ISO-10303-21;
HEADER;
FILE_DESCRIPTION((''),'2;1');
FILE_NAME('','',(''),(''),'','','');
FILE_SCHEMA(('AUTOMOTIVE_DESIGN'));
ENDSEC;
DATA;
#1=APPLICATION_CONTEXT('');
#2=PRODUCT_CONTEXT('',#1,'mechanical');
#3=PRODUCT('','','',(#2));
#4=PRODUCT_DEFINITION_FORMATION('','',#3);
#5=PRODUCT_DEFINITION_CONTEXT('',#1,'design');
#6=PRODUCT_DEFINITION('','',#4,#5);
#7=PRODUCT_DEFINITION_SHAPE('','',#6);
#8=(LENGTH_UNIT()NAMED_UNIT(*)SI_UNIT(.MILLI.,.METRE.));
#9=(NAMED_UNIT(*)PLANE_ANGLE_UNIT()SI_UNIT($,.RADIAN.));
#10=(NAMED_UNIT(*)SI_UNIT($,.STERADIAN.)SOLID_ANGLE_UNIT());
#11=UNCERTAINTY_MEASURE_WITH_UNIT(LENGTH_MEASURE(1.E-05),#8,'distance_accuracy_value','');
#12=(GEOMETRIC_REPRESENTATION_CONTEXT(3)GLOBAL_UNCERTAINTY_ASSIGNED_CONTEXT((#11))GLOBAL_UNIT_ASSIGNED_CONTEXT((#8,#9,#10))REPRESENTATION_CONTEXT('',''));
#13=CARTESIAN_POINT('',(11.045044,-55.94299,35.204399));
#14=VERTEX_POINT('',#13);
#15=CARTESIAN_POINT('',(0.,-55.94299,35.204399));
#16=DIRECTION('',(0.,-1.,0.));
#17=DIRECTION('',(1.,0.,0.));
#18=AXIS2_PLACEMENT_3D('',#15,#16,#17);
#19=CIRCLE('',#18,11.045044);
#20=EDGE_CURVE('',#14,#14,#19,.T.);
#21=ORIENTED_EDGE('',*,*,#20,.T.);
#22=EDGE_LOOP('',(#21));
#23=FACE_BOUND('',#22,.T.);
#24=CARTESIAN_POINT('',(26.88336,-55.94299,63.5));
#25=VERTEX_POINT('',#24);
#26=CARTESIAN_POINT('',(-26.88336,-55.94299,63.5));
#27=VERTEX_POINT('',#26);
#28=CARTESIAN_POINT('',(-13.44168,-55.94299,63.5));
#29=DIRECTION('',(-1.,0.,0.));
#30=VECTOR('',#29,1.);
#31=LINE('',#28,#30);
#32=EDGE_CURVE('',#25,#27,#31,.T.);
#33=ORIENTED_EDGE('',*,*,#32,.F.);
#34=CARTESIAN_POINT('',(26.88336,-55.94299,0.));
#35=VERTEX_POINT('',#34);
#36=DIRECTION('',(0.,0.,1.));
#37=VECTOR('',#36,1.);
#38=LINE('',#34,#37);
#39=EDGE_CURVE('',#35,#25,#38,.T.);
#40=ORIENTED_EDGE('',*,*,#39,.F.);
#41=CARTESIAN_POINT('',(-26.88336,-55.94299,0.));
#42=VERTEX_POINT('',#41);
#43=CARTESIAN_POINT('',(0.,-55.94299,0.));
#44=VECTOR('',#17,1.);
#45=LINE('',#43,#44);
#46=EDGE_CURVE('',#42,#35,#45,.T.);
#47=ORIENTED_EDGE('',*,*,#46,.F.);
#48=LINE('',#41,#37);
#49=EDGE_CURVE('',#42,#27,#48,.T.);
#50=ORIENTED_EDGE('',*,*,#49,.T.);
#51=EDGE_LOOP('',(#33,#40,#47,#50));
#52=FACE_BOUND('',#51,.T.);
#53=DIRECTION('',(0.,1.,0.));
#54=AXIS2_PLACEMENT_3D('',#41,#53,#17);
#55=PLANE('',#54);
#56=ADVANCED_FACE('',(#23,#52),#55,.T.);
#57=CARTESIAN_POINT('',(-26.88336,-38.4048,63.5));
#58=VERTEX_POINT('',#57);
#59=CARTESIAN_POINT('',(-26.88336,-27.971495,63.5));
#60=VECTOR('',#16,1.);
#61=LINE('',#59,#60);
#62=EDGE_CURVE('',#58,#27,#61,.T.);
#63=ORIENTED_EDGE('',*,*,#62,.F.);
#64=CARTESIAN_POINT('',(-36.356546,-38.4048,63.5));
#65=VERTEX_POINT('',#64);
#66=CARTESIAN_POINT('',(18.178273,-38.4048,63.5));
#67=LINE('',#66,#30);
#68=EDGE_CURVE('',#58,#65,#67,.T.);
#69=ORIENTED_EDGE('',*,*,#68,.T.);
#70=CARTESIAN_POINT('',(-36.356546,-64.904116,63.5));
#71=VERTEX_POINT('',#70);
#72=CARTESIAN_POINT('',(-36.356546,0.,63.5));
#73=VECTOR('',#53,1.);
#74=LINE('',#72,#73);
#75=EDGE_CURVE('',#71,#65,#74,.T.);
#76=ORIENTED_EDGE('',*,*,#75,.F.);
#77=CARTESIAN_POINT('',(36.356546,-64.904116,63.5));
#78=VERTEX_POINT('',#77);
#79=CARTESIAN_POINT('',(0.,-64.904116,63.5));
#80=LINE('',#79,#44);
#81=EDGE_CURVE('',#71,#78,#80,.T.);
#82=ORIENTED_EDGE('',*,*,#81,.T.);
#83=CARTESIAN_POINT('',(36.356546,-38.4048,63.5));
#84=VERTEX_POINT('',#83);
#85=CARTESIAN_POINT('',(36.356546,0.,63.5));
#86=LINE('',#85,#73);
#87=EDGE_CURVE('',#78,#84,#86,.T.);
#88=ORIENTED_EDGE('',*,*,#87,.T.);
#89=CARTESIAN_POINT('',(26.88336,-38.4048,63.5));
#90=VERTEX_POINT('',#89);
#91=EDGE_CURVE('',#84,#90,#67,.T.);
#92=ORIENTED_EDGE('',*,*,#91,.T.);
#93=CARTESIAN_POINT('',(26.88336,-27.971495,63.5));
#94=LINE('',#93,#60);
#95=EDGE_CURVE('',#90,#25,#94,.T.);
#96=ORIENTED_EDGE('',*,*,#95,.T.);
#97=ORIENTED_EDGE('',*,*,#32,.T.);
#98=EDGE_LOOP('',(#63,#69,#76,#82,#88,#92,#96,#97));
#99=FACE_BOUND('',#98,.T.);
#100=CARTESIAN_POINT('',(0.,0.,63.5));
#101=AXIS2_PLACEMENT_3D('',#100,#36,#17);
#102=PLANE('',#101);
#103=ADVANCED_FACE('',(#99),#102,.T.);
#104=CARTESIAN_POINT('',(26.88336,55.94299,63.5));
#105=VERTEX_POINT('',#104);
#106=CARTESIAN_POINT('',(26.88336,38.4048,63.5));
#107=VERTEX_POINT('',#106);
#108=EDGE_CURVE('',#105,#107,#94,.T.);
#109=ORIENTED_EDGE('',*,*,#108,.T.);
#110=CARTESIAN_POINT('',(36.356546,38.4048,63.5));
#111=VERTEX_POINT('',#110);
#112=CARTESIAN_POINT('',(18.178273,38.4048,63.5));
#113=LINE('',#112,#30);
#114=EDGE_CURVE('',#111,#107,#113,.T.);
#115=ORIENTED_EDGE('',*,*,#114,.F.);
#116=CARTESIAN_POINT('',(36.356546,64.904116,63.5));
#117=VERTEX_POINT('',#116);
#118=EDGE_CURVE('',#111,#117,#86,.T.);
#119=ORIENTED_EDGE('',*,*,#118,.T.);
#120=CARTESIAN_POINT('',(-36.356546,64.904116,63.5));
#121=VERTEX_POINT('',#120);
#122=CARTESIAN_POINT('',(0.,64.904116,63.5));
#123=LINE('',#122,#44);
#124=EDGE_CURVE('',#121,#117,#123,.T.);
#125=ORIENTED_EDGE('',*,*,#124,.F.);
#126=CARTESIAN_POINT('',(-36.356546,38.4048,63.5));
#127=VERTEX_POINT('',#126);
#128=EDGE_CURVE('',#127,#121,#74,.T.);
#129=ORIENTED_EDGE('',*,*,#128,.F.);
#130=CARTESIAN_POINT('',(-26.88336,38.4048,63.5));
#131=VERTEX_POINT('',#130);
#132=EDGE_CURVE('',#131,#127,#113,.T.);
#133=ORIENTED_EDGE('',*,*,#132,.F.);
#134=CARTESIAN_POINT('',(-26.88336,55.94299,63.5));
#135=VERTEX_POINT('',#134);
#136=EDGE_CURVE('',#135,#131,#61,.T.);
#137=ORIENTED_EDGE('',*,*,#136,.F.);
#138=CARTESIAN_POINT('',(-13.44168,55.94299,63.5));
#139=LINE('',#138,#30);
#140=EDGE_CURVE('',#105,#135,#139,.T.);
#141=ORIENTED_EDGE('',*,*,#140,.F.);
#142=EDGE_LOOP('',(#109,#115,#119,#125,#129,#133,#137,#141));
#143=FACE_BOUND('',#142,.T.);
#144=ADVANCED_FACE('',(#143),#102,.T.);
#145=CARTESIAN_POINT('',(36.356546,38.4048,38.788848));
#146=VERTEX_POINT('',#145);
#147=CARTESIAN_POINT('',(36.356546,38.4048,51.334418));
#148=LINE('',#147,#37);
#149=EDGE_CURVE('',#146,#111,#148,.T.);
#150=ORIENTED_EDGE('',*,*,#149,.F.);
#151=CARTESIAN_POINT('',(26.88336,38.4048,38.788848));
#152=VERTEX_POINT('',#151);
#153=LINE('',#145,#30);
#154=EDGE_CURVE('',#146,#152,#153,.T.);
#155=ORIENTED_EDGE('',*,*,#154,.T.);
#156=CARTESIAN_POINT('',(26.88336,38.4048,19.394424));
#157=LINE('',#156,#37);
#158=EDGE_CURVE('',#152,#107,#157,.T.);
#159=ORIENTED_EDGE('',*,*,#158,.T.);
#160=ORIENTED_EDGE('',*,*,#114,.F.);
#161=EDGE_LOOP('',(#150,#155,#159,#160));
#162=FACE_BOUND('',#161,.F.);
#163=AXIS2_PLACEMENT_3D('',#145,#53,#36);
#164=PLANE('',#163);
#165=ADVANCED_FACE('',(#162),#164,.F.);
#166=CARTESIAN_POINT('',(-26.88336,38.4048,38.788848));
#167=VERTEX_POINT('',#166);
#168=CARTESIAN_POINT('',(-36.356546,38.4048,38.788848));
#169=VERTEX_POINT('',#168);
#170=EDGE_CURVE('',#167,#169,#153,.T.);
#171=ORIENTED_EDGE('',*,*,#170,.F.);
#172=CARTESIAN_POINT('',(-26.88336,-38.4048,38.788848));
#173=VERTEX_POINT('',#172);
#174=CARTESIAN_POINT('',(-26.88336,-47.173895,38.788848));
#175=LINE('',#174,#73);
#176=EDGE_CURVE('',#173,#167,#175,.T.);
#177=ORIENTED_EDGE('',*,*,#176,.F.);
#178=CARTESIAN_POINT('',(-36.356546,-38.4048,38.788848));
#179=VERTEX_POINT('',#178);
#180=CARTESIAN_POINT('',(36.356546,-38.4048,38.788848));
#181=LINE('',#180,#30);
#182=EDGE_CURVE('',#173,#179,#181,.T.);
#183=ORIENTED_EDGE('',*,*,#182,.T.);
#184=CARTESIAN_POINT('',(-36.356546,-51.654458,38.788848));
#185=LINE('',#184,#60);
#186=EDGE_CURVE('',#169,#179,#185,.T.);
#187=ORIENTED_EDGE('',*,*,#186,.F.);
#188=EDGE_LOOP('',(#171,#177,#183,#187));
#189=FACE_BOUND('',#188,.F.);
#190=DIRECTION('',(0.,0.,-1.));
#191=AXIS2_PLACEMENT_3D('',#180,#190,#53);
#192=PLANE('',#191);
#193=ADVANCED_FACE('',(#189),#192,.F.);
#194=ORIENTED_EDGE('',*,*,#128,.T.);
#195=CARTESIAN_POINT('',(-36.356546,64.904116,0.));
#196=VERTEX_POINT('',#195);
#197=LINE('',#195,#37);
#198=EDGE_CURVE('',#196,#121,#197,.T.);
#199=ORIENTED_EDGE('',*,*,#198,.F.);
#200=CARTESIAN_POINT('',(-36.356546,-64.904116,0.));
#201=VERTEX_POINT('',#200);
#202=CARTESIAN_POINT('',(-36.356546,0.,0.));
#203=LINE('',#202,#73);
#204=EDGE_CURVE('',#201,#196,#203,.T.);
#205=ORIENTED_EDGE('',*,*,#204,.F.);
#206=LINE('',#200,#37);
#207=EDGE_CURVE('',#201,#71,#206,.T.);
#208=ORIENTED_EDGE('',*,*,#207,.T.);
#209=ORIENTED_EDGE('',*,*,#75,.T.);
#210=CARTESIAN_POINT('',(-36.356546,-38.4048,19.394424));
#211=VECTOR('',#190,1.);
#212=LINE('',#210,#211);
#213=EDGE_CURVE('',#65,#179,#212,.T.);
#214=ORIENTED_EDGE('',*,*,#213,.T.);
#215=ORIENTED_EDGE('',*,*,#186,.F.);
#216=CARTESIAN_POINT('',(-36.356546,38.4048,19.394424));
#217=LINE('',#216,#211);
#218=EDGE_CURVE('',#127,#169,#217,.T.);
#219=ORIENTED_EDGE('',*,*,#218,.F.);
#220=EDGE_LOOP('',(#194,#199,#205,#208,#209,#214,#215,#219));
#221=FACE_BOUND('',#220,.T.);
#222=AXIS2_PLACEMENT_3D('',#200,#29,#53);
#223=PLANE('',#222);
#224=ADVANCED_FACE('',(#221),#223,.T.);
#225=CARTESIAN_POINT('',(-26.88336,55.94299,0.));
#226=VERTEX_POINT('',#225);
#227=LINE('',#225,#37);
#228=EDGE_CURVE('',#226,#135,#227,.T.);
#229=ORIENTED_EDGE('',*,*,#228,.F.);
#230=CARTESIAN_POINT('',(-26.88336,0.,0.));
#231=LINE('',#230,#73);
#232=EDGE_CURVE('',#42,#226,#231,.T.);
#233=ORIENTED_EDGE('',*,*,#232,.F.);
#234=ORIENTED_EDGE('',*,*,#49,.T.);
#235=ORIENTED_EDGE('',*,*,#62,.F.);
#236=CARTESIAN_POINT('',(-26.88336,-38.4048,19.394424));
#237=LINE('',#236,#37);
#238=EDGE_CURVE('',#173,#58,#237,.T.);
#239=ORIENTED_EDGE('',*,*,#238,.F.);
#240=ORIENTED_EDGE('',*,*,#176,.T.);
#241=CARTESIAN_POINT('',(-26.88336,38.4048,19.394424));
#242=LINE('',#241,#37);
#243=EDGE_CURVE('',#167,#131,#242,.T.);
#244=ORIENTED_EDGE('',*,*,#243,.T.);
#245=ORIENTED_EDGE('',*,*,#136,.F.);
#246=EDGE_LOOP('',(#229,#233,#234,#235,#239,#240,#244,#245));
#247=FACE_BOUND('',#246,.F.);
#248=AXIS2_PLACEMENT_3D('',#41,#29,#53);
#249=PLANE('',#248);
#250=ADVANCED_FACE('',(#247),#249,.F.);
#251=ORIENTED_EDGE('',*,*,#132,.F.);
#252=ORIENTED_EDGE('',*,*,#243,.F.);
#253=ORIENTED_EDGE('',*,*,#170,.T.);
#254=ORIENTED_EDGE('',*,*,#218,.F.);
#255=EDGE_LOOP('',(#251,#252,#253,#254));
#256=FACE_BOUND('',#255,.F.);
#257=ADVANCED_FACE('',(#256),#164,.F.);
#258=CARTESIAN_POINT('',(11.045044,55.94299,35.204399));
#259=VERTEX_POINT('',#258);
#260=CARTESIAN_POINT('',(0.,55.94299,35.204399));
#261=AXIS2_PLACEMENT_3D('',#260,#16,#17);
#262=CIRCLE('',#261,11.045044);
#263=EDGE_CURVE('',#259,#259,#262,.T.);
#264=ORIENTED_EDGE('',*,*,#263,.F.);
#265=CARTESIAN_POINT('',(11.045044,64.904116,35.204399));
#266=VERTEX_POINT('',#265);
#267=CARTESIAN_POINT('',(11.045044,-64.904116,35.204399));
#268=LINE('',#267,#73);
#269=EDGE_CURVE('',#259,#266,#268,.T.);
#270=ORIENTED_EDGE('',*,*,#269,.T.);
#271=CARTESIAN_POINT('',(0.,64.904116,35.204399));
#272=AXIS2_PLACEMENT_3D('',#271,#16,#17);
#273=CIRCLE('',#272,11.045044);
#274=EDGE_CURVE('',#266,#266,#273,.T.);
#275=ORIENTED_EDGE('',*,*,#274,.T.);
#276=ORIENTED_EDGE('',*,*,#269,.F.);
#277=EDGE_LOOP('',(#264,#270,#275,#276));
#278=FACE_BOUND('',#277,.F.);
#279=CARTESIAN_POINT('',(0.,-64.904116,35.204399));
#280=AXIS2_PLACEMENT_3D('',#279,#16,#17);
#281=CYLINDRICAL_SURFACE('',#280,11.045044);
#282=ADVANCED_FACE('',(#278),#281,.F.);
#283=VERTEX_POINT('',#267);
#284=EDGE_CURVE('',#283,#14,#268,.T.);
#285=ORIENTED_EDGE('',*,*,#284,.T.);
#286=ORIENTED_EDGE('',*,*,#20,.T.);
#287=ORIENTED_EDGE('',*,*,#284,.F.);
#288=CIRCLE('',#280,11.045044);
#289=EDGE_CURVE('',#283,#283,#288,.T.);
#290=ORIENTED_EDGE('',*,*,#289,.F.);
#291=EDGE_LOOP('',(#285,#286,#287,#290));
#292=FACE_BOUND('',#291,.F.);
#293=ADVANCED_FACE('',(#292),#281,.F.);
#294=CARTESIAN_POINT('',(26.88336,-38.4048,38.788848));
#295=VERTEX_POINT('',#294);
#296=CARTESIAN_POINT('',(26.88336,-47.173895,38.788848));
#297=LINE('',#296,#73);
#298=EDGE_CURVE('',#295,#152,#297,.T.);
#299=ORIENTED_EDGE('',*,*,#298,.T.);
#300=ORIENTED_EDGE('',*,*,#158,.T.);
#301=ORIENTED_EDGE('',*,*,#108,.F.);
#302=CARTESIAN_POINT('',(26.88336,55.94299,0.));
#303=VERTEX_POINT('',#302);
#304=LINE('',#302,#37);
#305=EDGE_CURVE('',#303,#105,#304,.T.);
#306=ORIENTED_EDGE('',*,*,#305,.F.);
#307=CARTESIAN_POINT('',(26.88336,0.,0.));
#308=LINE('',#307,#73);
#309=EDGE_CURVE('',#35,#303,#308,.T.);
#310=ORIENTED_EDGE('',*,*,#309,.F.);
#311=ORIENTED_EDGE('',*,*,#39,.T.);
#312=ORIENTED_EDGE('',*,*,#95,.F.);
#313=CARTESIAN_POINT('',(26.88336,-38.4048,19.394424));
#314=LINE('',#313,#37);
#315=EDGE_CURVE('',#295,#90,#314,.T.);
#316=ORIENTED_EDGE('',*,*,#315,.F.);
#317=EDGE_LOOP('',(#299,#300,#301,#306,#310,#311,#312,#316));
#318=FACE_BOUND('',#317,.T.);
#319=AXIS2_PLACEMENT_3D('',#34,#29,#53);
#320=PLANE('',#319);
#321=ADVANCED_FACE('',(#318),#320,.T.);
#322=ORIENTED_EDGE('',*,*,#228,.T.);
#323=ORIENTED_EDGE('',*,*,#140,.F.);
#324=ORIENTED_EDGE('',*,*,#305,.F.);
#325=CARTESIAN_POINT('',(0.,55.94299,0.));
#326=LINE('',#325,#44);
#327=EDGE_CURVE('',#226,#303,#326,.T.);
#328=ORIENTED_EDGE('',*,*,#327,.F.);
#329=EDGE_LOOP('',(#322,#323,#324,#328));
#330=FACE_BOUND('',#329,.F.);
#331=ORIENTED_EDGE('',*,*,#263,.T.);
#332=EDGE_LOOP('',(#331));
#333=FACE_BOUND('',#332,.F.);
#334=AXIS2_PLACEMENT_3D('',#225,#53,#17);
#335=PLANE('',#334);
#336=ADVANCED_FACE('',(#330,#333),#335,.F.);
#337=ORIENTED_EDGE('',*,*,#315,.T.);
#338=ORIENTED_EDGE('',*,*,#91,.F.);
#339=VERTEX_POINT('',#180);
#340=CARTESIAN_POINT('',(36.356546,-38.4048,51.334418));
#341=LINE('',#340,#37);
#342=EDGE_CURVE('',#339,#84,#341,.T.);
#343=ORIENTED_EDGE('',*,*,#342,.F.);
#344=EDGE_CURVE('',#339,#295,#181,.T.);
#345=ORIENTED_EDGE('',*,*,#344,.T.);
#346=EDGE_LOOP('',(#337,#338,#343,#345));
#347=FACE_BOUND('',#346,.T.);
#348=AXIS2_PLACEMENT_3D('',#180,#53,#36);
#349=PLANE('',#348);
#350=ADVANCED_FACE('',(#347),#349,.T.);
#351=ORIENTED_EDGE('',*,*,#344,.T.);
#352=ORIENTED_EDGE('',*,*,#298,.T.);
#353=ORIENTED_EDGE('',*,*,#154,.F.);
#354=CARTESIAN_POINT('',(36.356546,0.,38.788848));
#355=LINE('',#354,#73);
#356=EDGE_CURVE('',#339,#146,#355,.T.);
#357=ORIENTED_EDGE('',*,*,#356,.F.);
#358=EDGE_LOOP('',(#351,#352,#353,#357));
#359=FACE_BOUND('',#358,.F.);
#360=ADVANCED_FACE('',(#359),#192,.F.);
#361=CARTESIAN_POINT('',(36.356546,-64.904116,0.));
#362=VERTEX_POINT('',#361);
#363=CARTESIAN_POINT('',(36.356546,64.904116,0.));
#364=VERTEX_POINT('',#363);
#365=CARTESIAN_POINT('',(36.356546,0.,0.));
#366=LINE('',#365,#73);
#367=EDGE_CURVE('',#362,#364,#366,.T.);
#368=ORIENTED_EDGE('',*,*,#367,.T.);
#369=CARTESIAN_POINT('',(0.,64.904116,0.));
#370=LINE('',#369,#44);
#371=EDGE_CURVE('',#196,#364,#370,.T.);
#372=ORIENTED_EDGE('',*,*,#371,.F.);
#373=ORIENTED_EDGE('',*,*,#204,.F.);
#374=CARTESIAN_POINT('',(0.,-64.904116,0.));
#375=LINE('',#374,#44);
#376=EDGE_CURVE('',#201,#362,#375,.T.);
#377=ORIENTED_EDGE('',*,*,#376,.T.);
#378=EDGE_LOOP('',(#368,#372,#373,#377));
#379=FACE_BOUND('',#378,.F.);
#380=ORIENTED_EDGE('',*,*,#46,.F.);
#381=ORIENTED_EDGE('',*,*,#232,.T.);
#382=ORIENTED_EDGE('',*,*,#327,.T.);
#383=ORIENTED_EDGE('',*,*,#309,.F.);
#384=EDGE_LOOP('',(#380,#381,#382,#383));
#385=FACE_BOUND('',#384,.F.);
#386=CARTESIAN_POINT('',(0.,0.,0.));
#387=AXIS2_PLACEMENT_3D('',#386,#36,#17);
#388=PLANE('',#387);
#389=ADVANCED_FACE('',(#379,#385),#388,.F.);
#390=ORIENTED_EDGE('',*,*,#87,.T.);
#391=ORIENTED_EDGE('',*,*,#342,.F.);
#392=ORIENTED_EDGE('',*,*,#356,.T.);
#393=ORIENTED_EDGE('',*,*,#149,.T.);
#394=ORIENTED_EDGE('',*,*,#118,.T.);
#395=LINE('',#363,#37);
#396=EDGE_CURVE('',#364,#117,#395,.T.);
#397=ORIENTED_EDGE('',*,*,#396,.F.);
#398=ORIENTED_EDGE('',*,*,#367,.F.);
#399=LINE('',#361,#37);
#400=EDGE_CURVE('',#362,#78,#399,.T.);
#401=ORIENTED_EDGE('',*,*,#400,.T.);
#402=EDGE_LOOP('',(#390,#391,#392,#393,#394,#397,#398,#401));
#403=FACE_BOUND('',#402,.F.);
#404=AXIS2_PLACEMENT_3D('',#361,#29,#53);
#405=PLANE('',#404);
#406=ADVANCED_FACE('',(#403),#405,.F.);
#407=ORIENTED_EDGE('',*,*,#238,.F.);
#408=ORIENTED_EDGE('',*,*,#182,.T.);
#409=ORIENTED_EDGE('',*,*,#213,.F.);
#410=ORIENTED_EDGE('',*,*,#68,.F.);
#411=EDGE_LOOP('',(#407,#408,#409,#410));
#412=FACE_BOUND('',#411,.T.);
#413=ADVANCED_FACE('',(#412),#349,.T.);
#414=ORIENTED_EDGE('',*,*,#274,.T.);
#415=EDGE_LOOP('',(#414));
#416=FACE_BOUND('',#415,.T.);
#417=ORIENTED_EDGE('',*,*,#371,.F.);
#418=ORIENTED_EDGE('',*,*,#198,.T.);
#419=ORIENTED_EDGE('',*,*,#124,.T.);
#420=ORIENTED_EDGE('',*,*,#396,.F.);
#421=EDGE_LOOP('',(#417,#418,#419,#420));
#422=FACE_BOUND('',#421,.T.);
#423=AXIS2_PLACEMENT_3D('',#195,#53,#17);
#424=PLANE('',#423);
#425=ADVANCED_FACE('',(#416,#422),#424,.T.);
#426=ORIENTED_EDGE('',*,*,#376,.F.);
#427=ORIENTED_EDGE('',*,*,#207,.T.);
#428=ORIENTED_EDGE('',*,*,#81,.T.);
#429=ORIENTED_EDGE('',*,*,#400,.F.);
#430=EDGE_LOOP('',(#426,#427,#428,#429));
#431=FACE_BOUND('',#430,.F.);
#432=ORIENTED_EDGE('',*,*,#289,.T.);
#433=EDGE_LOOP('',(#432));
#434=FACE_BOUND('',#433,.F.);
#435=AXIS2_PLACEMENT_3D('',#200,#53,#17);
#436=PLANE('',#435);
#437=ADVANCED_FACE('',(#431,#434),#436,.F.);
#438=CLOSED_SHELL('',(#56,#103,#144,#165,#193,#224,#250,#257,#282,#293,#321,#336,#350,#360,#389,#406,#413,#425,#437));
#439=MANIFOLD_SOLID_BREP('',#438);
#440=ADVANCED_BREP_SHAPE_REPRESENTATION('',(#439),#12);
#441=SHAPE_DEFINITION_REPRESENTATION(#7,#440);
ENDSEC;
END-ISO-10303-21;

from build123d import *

# Parameters (mm, degrees)
F0_W     = 72.713092
F0_H     = 129.808232
F1_DEPTH = 63.5
F2_R     = 11.045044
F3_DEPTH = 129.809232
F4_W     = 76.8096
F4_H     = 25.091141
F5_DEPTH = 72.714092
F6_W     = 53.76672
F6_H     = 111.88598
F7_DEPTH = 63.501


with BuildPart() as f1:
    # F0 (on Top) → F1 (new body)
    with BuildSketch(Plane.XY):
        Rectangle(F0_W, F0_H)
    extrude(amount=F1_DEPTH)

    # F2 (on face) → F3 (cut, through all)
    with BuildSketch(Plane.XZ.offset(64.904116)):
        with Locations((0, 35.204399)):
            Circle(F2_R)
    extrude(amount=-F3_DEPTH, mode=Mode.SUBTRACT)

    # F4 (on face) → F5 (cut, through all)
    with BuildSketch(Plane.YZ.offset(36.356546)):
        with Locations((0, 51.334418)):
            Rectangle(F4_W, F4_H)
    extrude(amount=-F5_DEPTH, mode=Mode.SUBTRACT)

    # F6 (on Top) → F7 (cut, through all)
    with BuildSketch(Plane.XY):
        Rectangle(F6_W, F6_H)
    extrude(amount=F7_DEPTH, mode=Mode.SUBTRACT)


solid = f1.part
